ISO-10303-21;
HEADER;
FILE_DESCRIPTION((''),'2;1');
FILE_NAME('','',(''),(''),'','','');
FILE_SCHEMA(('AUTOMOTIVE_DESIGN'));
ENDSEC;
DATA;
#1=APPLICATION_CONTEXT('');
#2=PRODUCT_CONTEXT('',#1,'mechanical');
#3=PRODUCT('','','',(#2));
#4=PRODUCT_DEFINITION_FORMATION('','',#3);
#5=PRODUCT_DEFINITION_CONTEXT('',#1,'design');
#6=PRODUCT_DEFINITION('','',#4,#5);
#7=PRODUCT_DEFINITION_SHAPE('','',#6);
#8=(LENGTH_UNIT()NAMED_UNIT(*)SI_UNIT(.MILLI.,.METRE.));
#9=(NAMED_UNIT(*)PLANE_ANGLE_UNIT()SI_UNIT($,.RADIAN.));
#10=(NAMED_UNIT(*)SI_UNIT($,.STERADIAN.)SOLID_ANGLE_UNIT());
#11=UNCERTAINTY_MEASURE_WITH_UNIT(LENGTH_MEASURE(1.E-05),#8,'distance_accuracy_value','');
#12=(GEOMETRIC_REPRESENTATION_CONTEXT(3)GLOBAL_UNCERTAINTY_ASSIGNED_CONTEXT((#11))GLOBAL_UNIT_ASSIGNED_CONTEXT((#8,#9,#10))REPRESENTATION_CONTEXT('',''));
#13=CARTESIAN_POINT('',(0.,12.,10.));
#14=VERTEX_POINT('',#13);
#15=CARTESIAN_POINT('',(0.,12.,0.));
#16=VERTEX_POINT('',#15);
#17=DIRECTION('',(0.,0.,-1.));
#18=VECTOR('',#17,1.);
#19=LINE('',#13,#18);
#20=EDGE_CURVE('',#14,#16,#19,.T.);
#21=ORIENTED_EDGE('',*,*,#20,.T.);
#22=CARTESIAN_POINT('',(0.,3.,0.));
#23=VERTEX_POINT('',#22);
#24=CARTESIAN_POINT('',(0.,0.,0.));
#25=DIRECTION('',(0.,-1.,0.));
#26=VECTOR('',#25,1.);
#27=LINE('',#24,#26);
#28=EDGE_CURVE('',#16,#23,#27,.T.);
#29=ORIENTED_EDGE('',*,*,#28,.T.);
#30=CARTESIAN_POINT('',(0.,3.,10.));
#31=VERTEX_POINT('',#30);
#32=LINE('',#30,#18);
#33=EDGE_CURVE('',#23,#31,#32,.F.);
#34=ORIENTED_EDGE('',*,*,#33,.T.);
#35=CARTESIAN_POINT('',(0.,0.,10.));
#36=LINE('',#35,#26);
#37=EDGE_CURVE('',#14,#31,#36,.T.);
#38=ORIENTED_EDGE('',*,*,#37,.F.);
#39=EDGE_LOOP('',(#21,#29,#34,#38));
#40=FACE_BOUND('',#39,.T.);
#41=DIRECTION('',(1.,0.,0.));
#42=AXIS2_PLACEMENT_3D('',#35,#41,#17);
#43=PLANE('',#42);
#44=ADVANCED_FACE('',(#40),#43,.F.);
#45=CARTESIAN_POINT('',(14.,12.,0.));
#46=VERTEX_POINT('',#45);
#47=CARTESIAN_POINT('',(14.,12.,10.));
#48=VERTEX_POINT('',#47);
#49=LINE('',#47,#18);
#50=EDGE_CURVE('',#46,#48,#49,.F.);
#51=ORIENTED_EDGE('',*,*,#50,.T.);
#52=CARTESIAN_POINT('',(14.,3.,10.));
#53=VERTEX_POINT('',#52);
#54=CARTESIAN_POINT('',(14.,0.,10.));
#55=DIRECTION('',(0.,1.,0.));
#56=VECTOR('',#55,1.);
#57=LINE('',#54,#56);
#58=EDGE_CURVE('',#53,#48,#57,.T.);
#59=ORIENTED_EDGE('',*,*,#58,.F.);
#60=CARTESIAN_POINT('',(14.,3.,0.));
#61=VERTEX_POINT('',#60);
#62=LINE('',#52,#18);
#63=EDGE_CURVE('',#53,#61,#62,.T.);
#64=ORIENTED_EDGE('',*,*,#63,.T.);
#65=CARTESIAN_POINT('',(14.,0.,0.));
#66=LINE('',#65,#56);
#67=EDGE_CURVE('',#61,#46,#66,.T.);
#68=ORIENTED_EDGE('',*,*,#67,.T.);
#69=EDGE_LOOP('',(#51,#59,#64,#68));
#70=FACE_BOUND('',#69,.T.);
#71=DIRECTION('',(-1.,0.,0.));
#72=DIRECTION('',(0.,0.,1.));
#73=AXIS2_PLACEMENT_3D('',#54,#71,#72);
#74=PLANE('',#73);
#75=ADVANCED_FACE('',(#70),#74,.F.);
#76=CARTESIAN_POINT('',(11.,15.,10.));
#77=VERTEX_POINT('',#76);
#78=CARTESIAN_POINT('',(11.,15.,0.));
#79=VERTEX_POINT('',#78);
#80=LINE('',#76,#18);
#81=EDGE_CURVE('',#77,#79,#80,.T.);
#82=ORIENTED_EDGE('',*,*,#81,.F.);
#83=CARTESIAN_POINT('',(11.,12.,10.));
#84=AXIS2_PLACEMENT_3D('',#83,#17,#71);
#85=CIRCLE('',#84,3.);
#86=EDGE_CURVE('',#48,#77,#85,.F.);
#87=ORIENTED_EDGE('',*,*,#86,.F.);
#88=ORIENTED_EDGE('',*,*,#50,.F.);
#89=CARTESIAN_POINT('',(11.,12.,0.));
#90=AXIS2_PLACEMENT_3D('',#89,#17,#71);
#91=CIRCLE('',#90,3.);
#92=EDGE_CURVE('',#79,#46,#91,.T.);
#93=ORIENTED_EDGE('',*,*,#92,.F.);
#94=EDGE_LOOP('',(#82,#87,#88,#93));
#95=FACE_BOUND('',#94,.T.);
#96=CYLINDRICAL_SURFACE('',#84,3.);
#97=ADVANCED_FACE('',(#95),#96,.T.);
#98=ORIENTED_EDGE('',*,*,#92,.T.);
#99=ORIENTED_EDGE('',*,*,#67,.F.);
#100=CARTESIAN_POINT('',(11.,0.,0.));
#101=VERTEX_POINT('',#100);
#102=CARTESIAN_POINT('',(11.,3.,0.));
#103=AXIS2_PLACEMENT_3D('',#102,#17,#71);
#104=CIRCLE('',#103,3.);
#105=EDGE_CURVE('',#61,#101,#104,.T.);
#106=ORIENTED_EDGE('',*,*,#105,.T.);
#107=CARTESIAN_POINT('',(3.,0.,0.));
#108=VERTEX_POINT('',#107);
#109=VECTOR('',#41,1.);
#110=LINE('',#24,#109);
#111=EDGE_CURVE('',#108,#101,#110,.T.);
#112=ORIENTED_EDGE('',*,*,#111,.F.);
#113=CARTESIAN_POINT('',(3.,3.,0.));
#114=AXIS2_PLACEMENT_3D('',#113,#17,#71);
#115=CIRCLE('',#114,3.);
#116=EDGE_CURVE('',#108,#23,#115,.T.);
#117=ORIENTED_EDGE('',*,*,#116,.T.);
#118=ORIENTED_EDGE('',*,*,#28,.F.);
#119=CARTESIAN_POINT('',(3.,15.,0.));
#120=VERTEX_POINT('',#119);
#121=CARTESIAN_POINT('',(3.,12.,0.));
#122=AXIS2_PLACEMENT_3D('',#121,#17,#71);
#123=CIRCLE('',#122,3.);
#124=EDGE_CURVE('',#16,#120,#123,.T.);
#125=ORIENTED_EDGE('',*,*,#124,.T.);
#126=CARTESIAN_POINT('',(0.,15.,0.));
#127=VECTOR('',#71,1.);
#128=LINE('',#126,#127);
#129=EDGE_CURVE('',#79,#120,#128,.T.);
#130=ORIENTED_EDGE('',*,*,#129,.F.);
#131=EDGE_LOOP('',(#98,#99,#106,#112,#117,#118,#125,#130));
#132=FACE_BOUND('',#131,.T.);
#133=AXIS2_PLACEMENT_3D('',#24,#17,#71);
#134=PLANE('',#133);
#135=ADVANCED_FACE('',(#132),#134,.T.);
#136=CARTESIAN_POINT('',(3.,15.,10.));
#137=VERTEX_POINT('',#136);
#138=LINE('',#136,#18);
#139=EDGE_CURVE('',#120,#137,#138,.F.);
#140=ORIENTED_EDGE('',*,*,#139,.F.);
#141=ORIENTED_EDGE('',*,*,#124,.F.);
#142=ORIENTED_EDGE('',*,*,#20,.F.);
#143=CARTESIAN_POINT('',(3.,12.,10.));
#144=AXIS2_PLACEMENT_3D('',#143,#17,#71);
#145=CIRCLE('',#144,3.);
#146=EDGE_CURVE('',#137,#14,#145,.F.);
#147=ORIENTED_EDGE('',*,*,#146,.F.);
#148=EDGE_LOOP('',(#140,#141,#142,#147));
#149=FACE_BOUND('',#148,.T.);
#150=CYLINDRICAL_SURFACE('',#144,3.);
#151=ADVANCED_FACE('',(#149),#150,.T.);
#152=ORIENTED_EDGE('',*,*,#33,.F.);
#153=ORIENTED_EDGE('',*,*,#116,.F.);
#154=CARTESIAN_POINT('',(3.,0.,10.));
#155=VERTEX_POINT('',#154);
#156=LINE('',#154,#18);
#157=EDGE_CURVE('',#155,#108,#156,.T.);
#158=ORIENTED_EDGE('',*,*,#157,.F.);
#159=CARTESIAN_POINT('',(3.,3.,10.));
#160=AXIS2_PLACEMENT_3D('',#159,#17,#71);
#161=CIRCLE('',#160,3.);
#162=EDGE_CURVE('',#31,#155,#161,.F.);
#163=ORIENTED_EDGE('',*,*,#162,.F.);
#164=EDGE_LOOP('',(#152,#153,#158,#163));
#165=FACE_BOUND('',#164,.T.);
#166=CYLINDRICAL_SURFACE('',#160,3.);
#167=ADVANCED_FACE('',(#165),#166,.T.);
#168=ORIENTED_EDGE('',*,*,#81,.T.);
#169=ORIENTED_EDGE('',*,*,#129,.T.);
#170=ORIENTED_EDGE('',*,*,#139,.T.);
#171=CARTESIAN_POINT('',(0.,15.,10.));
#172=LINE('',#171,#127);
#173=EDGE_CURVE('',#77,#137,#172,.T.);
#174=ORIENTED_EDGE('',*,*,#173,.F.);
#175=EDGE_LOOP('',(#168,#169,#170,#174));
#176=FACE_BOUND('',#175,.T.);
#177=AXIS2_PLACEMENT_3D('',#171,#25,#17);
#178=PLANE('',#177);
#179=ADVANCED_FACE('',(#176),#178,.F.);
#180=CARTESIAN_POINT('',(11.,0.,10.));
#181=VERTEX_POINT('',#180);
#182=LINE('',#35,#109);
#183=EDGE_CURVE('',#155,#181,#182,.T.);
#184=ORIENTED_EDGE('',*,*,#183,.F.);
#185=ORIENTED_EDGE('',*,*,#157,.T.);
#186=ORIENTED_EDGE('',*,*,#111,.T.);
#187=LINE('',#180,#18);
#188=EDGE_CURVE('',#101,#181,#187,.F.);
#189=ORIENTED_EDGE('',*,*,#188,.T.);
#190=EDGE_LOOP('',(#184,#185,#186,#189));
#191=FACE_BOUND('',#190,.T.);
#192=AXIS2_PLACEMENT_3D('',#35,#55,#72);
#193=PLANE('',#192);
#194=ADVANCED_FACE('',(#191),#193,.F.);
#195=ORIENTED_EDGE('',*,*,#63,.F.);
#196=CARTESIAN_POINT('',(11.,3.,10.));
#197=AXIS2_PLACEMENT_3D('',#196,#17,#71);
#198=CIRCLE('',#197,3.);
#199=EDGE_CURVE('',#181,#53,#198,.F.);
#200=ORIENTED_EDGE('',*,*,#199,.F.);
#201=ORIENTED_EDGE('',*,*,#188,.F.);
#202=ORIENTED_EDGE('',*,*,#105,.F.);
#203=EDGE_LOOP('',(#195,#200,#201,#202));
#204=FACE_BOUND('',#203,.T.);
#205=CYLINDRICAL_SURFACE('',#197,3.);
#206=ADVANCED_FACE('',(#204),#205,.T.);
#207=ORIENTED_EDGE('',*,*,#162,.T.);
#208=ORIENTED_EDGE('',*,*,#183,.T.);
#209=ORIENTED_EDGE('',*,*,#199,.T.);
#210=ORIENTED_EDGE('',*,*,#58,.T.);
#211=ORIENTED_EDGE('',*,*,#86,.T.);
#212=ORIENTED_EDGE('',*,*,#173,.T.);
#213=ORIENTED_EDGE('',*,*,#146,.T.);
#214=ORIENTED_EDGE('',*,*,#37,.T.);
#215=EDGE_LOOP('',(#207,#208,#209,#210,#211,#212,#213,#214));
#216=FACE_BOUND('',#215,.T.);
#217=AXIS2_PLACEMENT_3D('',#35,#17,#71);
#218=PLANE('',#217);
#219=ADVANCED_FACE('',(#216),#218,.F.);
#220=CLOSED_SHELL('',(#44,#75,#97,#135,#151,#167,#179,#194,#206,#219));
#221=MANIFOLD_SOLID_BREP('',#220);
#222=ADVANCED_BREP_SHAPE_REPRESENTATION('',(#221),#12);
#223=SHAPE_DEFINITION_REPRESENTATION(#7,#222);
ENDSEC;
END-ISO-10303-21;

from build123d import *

# Parameters (mm, degrees)
SKETCH1_W           = 14
SKETCH1_H           = 15
BOSS_EXTRUDE1_DEPTH = 10
FILLET1_R           = 3


with BuildPart() as part:
    # Sketch1 → Boss-Extrude1 (new body)
    with BuildSketch(Plane.XY):
        with Locations((7, 7.5)):
            Rectangle(SKETCH1_W, SKETCH1_H)
    extrude(amount=BOSS_EXTRUDE1_DEPTH)

    # Fillet1
    fillet1_edges = [part.edges().sort_by_distance(p)[0] for p in [
        (0, 15, 5),
        (14, 15, 5),
        (14, 0, 5),
        (0, 0, 5),
    ]]
    fillet(fillet1_edges, radius=FILLET1_R)


solid = part.part
